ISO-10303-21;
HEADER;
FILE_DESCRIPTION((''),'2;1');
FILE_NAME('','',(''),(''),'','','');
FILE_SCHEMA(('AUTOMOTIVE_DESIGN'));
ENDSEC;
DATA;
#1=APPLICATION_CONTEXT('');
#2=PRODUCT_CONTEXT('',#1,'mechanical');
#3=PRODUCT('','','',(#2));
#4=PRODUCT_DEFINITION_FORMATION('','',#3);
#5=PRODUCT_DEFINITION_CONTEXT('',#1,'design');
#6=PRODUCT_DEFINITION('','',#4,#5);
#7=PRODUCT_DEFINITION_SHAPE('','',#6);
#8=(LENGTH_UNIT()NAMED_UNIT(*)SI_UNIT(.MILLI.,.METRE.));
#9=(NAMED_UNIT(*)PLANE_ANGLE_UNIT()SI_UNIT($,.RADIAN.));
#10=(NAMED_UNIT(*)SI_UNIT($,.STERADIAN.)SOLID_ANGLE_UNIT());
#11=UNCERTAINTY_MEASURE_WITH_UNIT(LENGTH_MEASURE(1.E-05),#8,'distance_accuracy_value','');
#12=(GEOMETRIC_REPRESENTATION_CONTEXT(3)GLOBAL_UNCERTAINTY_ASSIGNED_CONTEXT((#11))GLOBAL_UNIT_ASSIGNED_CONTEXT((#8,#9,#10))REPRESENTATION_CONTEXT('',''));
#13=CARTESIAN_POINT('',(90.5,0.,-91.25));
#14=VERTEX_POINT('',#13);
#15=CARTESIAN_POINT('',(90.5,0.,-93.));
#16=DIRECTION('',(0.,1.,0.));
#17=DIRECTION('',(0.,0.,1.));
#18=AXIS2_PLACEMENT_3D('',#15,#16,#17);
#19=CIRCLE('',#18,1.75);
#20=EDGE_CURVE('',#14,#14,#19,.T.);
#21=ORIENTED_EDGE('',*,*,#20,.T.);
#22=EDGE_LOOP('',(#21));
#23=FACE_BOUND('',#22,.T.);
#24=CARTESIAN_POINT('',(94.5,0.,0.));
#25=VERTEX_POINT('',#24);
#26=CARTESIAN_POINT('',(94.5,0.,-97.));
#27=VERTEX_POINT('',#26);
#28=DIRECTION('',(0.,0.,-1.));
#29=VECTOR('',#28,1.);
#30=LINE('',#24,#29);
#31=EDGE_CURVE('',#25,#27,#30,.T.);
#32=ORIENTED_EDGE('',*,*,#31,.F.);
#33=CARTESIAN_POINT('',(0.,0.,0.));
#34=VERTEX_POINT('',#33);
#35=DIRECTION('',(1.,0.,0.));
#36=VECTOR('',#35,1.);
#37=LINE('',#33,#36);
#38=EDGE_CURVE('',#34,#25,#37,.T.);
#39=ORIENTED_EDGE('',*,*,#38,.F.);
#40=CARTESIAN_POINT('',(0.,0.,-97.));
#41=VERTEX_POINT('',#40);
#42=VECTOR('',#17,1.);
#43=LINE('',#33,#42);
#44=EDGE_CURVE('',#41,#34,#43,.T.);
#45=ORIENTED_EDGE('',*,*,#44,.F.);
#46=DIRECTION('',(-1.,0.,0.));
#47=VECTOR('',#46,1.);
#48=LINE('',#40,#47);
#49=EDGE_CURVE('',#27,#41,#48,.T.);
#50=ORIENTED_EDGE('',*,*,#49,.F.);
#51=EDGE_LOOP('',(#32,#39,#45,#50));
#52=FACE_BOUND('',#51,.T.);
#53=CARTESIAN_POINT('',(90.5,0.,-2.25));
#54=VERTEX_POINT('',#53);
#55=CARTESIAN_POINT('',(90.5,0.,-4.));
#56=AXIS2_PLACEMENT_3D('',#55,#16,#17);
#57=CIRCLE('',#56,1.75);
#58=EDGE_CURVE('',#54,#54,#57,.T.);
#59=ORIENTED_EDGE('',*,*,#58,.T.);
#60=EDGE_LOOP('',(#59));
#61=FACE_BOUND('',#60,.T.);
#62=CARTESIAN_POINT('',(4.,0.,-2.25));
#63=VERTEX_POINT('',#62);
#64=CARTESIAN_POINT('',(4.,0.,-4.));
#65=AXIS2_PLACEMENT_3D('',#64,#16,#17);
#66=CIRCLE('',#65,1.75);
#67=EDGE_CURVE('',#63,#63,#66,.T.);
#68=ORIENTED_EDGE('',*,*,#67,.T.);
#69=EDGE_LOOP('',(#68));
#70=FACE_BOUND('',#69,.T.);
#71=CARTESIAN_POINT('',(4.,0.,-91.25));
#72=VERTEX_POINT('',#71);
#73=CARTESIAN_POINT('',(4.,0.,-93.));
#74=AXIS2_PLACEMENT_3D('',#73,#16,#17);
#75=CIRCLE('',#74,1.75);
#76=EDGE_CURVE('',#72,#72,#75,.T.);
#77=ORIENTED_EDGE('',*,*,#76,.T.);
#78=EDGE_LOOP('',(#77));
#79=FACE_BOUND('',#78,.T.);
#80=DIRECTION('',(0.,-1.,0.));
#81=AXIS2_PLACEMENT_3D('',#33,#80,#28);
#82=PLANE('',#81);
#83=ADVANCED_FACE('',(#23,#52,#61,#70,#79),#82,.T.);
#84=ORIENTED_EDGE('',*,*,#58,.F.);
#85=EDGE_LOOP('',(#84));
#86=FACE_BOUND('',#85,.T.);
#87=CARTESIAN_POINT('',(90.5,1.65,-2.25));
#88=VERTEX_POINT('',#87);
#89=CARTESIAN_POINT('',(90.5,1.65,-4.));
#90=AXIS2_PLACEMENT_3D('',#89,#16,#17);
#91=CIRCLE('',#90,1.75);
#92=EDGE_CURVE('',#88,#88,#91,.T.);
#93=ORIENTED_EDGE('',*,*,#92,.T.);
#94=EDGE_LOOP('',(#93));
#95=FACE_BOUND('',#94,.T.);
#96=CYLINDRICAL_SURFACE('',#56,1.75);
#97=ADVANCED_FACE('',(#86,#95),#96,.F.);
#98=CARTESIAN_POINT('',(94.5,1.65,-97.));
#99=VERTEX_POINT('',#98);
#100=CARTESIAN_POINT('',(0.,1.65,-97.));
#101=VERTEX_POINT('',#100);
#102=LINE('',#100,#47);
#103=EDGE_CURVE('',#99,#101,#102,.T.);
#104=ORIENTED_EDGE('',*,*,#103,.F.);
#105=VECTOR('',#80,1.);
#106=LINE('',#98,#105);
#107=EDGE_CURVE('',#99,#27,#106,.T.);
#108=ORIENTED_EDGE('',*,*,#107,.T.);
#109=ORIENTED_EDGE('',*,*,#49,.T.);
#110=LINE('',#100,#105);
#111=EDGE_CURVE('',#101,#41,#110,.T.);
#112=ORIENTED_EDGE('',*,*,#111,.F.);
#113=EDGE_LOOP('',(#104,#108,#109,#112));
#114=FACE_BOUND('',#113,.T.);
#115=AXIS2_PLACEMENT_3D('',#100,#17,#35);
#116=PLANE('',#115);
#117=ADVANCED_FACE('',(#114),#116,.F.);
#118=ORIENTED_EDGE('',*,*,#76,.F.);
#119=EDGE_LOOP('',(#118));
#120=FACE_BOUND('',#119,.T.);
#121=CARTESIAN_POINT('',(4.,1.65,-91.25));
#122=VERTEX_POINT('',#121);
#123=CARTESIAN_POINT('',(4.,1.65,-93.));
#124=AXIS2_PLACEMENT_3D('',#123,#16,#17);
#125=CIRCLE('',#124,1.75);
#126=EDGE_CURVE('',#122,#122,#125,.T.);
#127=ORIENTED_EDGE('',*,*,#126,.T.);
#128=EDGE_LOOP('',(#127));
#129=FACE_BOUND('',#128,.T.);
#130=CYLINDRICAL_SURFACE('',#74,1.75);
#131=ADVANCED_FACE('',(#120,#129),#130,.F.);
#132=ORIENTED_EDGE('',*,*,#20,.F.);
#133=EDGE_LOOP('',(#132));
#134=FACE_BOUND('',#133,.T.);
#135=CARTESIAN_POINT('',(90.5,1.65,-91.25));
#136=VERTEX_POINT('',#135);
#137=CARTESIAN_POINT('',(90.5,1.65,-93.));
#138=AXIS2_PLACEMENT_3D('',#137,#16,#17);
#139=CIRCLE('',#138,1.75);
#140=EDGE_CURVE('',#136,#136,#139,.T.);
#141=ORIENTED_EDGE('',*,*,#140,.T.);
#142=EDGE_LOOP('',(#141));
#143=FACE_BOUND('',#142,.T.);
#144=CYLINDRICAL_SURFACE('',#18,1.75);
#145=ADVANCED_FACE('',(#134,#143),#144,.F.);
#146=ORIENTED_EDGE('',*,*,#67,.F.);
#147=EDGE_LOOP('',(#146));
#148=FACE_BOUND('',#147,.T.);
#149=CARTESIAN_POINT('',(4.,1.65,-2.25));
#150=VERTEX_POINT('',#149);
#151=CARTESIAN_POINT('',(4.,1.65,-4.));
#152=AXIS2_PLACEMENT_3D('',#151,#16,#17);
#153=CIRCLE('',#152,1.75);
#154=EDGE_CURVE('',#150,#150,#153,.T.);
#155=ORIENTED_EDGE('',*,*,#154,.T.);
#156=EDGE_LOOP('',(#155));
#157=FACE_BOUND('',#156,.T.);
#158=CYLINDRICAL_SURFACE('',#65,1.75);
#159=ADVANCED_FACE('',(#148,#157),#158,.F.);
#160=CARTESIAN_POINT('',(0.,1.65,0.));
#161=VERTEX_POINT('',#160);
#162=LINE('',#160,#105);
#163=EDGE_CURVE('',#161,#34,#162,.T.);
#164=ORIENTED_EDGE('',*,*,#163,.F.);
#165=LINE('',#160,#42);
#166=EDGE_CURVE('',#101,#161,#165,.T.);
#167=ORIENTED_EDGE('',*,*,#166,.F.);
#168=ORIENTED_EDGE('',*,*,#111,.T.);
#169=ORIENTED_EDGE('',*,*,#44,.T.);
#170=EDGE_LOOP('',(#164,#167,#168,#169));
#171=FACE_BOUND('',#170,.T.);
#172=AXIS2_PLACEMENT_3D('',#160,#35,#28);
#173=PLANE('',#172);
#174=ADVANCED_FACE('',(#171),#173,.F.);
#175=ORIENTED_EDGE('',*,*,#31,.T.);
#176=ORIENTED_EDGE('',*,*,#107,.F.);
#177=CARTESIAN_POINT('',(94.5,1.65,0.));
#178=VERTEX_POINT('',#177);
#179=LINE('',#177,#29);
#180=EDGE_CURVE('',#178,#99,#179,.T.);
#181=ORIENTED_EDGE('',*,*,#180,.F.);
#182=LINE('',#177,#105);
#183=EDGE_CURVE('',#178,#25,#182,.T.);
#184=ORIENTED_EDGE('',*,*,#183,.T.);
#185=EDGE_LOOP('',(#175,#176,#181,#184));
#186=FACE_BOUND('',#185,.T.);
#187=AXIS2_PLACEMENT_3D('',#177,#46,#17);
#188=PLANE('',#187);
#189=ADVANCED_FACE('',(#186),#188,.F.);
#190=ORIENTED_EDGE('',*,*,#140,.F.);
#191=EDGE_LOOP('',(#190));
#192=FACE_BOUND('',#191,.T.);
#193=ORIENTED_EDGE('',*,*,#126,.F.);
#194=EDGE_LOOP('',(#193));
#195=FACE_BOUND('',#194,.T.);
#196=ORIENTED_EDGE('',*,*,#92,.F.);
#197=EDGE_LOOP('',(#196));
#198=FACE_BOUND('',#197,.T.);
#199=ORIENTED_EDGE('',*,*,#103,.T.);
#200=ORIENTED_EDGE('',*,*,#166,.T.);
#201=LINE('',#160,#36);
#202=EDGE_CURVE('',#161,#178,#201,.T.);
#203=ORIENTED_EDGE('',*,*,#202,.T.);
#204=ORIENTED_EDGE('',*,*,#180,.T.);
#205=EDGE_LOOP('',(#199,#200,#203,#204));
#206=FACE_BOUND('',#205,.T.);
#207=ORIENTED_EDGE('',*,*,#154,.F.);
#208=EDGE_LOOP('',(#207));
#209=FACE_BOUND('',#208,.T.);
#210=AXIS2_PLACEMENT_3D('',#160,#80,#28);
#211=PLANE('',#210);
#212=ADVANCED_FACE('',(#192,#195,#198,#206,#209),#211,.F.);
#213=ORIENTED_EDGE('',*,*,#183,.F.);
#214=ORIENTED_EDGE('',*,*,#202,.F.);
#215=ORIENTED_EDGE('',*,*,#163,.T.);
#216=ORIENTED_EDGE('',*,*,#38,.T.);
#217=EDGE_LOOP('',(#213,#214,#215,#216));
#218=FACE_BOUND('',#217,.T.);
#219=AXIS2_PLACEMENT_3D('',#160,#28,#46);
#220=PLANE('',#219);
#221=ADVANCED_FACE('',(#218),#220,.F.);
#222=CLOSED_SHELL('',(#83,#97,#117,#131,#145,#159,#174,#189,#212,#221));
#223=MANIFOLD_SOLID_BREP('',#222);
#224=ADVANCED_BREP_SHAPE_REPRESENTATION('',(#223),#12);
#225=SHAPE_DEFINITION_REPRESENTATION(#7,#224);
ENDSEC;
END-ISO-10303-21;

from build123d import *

# Parameters (mm, degrees)
SKETCH1_W           = 94.5
SKETCH1_H           = 97
BOSS_EXTRUDE1_DEPTH = 1.65
SKETCH2_R           = 1.75
CUT_EXTRUDE1_DEPTH  = 2.65


with BuildPart() as part:
    # Sketch1 → Boss-Extrude1 (new body)
    with BuildSketch(Plane(origin=(0, 0, 0), x_dir=(1, 0, 0), z_dir=(0, 1, 0))):
        with Locations((47.25, 48.5)):
            Rectangle(SKETCH1_W, SKETCH1_H)
    extrude(amount=BOSS_EXTRUDE1_DEPTH)

    # Sketch2 → Cut-Extrude1 (cut, through all)
    with BuildSketch(Plane(origin=(0, 1.65, 0), x_dir=(1, 0, 0), z_dir=(0, 1, 0))):
        with Locations((4, 93)):
            Circle(SKETCH2_R)
        with Locations((90.5, 93)):
            Circle(SKETCH2_R)
        with Locations((90.5, 4)):
            Circle(SKETCH2_R)
        with Locations((4, 4)):
            Circle(SKETCH2_R)
    extrude(amount=-CUT_EXTRUDE1_DEPTH, mode=Mode.SUBTRACT)


solid = part.part
